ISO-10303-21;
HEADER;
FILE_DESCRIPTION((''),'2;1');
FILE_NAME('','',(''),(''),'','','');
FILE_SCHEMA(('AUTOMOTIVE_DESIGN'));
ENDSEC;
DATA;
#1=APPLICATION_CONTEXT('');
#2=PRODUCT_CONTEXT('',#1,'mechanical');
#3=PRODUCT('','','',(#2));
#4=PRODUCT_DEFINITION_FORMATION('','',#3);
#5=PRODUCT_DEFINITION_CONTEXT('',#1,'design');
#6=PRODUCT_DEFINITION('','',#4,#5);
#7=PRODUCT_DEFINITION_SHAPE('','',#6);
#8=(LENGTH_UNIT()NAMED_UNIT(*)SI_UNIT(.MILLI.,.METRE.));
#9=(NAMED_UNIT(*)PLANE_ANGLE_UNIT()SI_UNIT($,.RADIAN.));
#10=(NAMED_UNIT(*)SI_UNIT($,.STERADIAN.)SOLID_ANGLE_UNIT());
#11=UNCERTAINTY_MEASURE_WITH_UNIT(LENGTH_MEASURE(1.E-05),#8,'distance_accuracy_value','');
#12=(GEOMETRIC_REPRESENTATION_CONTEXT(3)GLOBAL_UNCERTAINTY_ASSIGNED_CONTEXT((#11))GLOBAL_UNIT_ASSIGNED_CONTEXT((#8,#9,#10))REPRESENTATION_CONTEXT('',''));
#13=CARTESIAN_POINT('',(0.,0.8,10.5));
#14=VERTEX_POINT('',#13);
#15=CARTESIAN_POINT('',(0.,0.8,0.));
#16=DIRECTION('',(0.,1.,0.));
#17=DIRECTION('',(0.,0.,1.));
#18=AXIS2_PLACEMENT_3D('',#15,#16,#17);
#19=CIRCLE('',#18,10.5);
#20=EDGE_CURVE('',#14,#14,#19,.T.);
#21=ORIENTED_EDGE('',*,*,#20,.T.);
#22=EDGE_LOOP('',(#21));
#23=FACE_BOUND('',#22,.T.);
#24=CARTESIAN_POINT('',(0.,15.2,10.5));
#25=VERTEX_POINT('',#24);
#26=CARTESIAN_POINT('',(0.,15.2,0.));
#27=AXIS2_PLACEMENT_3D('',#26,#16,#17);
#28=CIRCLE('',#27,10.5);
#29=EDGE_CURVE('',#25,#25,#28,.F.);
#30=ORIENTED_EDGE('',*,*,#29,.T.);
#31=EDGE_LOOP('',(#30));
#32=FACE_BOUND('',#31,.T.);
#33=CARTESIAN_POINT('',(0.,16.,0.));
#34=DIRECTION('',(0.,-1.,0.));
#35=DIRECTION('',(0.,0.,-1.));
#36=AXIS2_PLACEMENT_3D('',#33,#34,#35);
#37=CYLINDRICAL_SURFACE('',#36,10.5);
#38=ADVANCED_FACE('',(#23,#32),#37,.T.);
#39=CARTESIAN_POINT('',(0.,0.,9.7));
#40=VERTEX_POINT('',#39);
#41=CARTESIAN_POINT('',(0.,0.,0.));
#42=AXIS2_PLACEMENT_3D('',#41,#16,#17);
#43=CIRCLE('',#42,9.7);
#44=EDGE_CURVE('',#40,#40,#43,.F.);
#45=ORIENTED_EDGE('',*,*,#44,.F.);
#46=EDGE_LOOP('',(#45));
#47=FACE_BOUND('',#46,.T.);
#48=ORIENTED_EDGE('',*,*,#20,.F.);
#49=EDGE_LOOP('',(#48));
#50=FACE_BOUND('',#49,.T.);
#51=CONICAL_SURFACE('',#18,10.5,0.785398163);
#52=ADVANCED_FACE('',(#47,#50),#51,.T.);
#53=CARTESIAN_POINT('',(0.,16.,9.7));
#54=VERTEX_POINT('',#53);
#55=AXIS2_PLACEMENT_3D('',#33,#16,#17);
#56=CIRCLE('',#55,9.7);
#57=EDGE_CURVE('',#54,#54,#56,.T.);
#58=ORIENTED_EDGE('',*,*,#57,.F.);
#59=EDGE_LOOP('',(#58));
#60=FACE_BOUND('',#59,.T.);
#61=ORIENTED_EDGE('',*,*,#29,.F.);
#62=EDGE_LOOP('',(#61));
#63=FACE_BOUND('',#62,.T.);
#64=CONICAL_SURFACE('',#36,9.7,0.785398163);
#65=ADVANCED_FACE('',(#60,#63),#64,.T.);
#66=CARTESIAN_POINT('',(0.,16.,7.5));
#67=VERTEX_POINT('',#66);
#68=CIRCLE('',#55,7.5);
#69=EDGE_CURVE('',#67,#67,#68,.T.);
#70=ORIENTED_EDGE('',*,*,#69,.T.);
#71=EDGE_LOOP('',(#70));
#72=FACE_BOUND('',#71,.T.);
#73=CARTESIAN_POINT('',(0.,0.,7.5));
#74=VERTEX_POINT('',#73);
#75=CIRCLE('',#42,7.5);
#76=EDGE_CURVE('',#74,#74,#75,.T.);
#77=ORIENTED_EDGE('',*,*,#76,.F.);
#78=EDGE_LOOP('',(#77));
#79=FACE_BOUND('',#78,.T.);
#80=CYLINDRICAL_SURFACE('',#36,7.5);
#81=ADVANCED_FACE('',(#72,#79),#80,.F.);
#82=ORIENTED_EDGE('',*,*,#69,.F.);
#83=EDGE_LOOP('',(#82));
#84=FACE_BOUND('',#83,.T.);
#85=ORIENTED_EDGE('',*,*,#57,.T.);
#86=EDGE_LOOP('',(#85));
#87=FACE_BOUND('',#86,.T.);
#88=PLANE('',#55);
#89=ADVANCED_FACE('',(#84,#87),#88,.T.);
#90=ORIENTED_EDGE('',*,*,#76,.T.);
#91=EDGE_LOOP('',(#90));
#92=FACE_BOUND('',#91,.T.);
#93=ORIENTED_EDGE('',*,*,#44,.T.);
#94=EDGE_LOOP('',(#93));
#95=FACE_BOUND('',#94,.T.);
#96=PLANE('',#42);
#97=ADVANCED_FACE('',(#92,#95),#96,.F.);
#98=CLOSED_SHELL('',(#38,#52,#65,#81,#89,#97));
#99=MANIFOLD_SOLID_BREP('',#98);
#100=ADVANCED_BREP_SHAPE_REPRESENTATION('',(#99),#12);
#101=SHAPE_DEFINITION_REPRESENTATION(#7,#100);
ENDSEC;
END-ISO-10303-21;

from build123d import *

# Parameters (mm, degrees)
SKETCH_1_R      = 10.5
SKETCH_1_R_2    = 7.5
EXTRUDE_1_DEPTH = 16
CHAMFER_1_SIZE  = 0.8


with BuildPart() as part:
    # 草图1 → 凸台-拉伸1 (new body)
    with BuildSketch(Plane(origin=(0, 0, 0), x_dir=(1, 0, 0), z_dir=(0, 1, 0))):
        with Locations(Location((0, 0, 0), (0, 0, 270))):
            Circle(SKETCH_1_R)
        with Locations(Location((0, 0, 0), (0, 0, 270))):
            Circle(SKETCH_1_R_2, mode=Mode.SUBTRACT)
    extrude(amount=EXTRUDE_1_DEPTH)

    # 倒角1
    chamfer_1_edges = [part.edges().sort_by_distance(p)[0] for p in [
        (0, 0, -10.5),
        (0, 16, -10.5),
    ]]
    chamfer(chamfer_1_edges, length=CHAMFER_1_SIZE)


solid = part.part
